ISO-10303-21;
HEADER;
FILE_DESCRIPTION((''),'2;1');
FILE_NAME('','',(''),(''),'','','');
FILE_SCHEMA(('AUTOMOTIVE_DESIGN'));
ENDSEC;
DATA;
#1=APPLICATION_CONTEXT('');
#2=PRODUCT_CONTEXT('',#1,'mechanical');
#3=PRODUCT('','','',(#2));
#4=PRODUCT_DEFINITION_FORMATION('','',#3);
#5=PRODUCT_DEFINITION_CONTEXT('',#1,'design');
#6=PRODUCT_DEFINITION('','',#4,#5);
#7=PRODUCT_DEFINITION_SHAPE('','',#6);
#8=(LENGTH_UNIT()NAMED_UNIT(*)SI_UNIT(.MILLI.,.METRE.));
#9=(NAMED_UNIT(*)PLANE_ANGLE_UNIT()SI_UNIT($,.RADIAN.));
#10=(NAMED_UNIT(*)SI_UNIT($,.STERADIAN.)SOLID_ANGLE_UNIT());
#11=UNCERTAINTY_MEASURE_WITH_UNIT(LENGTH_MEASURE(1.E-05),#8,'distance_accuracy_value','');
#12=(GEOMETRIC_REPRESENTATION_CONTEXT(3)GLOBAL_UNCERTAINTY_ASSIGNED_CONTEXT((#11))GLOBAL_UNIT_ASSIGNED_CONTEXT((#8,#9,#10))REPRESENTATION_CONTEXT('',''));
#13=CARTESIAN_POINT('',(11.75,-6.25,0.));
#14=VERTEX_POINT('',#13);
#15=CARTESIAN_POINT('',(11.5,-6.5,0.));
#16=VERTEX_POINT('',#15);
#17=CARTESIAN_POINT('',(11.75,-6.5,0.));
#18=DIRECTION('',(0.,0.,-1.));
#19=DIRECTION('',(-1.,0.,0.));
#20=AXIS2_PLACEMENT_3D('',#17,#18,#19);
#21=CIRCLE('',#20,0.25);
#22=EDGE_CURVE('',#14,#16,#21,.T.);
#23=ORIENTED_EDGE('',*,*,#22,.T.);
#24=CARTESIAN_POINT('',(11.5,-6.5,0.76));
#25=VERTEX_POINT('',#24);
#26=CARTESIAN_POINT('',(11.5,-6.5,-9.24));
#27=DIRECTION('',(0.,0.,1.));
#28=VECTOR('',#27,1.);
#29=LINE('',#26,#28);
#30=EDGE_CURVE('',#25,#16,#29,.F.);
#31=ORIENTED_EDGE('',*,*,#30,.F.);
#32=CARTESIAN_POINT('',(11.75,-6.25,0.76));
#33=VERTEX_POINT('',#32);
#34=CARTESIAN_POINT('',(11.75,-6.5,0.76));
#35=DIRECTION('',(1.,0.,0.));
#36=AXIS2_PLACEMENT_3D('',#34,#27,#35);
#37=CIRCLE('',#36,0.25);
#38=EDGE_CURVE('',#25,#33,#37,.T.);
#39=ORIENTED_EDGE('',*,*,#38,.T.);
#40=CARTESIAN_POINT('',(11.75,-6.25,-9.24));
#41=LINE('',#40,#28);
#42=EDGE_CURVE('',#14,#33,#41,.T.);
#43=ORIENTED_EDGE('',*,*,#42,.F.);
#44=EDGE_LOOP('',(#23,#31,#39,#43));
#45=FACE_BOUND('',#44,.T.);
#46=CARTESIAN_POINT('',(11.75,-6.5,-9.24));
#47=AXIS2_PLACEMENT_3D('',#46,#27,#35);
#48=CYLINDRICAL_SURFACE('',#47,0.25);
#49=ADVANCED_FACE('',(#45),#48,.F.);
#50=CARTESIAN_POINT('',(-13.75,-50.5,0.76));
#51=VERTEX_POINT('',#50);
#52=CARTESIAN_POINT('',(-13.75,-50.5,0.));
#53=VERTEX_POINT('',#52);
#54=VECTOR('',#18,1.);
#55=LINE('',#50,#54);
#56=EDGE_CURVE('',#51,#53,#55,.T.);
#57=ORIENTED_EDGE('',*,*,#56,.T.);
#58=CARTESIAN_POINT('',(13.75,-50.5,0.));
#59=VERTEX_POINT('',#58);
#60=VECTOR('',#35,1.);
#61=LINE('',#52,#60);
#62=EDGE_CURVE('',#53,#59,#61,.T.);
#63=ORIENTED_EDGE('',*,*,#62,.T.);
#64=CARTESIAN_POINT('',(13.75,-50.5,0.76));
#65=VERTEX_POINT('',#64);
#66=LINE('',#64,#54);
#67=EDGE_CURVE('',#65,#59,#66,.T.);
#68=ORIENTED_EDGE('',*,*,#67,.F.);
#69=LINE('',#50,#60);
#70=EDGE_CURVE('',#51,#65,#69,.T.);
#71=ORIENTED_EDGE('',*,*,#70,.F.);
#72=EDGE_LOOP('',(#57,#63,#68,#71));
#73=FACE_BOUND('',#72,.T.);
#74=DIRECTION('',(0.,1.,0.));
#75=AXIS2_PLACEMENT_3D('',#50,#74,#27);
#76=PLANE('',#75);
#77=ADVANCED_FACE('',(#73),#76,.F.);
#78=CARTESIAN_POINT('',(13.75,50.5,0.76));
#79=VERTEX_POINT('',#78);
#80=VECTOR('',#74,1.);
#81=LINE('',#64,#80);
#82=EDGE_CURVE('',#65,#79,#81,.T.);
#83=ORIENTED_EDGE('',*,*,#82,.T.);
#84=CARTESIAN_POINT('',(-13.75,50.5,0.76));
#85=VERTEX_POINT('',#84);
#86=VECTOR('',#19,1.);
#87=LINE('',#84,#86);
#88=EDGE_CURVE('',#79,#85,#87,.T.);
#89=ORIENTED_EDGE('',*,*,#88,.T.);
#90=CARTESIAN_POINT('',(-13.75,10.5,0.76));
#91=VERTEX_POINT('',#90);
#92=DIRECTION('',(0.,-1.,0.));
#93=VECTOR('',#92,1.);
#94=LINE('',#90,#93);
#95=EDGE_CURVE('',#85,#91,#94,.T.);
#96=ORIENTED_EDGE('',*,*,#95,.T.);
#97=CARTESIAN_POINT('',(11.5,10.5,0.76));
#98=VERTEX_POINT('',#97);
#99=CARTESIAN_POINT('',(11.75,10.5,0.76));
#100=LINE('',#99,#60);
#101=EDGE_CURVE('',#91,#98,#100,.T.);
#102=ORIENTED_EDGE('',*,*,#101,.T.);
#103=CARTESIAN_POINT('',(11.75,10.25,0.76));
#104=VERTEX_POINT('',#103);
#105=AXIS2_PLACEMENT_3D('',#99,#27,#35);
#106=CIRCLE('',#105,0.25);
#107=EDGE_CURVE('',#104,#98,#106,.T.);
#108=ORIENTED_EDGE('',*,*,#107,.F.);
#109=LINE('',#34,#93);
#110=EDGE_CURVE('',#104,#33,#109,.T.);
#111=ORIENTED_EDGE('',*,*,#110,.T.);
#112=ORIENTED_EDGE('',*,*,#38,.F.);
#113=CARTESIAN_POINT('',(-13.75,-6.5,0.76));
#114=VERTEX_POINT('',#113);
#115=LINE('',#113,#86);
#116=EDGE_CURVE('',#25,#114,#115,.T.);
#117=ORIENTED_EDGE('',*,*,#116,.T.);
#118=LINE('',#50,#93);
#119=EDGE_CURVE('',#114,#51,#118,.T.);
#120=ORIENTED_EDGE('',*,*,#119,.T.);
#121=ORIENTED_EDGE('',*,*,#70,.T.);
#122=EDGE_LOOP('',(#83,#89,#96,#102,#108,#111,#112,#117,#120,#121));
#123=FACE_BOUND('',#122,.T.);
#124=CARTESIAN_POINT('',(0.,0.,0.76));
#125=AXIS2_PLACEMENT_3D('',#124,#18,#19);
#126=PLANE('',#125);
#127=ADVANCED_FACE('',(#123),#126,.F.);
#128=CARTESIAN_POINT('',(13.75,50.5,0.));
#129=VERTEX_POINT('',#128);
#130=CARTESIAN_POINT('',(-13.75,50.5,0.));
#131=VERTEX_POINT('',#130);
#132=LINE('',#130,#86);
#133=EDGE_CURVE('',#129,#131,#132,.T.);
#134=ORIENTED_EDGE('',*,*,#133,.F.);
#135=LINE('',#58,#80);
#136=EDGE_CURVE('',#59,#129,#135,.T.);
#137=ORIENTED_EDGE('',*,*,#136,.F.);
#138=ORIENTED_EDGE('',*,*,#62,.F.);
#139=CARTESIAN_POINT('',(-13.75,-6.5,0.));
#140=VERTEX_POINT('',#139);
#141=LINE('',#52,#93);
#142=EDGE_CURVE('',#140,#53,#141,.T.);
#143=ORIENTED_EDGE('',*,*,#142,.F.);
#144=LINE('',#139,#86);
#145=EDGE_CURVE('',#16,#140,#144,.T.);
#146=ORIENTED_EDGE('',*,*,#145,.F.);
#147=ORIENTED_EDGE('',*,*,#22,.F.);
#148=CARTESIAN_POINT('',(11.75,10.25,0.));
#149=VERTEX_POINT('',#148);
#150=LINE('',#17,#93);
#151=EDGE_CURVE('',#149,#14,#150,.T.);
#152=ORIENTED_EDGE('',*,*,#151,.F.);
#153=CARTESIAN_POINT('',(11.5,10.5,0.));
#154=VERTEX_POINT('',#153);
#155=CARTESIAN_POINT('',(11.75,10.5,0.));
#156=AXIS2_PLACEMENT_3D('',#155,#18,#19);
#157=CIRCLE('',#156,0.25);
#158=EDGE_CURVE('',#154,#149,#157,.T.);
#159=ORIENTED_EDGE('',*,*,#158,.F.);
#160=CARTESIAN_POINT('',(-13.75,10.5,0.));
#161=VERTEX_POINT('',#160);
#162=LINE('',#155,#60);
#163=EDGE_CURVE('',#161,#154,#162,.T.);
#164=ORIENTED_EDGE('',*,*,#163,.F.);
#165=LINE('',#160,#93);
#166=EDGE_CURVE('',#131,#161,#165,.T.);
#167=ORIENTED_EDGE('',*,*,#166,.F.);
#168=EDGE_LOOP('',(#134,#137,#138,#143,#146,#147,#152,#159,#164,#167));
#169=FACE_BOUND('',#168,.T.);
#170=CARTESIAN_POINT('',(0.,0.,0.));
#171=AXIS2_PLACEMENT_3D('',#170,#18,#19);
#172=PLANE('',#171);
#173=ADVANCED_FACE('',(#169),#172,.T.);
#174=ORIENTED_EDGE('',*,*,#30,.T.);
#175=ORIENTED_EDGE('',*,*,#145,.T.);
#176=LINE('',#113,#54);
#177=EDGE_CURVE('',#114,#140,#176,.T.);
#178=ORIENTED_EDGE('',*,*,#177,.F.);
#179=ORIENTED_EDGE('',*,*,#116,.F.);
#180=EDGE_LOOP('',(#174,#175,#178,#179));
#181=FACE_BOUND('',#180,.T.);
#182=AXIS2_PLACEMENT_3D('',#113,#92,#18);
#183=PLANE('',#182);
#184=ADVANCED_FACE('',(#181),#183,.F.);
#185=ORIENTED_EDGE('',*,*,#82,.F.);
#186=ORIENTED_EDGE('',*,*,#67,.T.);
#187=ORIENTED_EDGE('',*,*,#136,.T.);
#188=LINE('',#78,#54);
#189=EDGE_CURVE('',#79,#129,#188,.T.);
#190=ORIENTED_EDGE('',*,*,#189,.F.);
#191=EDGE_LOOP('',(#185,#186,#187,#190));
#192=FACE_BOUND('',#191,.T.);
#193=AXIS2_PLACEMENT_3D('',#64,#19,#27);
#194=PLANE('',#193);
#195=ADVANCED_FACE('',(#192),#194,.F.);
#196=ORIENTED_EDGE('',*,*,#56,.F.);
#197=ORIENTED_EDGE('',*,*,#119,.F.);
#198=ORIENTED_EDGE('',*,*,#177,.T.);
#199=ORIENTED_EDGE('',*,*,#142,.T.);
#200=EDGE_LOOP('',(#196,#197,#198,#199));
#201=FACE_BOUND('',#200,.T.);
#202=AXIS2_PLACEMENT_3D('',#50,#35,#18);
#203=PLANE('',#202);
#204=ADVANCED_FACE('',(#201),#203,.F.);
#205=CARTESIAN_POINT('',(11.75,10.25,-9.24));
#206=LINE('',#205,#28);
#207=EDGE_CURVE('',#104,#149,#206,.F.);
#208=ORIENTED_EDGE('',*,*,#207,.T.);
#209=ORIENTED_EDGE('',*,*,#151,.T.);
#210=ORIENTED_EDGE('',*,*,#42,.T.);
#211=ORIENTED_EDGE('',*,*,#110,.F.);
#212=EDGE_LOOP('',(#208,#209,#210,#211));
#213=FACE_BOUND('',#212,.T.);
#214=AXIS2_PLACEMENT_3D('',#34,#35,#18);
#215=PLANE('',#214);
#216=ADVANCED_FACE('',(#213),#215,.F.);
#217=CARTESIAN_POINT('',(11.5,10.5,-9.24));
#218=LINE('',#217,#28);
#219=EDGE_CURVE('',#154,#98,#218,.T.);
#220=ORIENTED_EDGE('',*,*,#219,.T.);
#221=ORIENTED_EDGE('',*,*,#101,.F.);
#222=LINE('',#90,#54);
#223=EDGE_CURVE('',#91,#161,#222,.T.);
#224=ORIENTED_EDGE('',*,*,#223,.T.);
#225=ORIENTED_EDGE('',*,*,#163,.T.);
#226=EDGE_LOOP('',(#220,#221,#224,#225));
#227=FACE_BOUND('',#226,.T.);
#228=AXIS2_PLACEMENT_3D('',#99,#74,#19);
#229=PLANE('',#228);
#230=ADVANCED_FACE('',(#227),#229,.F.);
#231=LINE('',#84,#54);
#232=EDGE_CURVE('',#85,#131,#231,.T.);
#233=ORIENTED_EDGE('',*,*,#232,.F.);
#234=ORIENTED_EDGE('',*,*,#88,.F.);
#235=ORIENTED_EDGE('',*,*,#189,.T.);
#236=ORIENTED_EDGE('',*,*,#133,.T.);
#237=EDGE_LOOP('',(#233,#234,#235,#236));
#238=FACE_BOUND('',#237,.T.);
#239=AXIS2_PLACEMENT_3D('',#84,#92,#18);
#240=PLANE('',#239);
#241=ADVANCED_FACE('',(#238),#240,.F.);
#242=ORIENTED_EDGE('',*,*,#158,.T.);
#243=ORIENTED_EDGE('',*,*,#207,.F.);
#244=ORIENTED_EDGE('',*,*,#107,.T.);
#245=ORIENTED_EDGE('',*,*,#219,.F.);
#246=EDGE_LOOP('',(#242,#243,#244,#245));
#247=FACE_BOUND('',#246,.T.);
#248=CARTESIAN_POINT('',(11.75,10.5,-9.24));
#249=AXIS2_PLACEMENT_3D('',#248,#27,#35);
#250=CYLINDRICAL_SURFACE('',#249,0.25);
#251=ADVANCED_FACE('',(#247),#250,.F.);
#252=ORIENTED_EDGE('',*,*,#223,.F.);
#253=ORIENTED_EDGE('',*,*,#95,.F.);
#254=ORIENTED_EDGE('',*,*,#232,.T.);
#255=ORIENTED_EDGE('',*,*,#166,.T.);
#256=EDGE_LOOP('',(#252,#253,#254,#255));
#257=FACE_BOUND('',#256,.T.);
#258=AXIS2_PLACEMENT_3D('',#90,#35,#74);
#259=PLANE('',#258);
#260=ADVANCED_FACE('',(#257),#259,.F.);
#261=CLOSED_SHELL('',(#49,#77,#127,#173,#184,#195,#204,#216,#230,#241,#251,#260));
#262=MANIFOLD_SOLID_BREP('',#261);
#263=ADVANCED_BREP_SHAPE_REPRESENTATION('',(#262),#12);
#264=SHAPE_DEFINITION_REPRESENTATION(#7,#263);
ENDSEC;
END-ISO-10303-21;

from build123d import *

# Parameters (mm, degrees)
BOSS_EXTRUDE1_DEPTH = 0.76
SKETCH2_R           = 0.25
CUT_EXTRUDE1_DEPTH  = 10


with BuildPart() as part:
    # Sketch1 → Boss-Extrude1 (new body)
    with BuildSketch(Plane.XY):
        Polygon((-13.75, -6.5), (11.75, -6.5), (11.75, 10.5), (-13.75, 10.5), (-13.75, 50.5), (13.75, 50.5), (13.75, -50.5), (-13.75, -50.5), align=None)
    extrude(amount=BOSS_EXTRUDE1_DEPTH)

    # Sketch2 → Cut-Extrude1 (cut)
    with BuildSketch(Plane.XY.offset(0.76)):
        with Locations((11.75, 10.5)):
            Circle(SKETCH2_R)
        with Locations((11.75, -6.5)):
            Circle(SKETCH2_R)
    extrude(amount=-CUT_EXTRUDE1_DEPTH, mode=Mode.SUBTRACT)


solid = part.part
